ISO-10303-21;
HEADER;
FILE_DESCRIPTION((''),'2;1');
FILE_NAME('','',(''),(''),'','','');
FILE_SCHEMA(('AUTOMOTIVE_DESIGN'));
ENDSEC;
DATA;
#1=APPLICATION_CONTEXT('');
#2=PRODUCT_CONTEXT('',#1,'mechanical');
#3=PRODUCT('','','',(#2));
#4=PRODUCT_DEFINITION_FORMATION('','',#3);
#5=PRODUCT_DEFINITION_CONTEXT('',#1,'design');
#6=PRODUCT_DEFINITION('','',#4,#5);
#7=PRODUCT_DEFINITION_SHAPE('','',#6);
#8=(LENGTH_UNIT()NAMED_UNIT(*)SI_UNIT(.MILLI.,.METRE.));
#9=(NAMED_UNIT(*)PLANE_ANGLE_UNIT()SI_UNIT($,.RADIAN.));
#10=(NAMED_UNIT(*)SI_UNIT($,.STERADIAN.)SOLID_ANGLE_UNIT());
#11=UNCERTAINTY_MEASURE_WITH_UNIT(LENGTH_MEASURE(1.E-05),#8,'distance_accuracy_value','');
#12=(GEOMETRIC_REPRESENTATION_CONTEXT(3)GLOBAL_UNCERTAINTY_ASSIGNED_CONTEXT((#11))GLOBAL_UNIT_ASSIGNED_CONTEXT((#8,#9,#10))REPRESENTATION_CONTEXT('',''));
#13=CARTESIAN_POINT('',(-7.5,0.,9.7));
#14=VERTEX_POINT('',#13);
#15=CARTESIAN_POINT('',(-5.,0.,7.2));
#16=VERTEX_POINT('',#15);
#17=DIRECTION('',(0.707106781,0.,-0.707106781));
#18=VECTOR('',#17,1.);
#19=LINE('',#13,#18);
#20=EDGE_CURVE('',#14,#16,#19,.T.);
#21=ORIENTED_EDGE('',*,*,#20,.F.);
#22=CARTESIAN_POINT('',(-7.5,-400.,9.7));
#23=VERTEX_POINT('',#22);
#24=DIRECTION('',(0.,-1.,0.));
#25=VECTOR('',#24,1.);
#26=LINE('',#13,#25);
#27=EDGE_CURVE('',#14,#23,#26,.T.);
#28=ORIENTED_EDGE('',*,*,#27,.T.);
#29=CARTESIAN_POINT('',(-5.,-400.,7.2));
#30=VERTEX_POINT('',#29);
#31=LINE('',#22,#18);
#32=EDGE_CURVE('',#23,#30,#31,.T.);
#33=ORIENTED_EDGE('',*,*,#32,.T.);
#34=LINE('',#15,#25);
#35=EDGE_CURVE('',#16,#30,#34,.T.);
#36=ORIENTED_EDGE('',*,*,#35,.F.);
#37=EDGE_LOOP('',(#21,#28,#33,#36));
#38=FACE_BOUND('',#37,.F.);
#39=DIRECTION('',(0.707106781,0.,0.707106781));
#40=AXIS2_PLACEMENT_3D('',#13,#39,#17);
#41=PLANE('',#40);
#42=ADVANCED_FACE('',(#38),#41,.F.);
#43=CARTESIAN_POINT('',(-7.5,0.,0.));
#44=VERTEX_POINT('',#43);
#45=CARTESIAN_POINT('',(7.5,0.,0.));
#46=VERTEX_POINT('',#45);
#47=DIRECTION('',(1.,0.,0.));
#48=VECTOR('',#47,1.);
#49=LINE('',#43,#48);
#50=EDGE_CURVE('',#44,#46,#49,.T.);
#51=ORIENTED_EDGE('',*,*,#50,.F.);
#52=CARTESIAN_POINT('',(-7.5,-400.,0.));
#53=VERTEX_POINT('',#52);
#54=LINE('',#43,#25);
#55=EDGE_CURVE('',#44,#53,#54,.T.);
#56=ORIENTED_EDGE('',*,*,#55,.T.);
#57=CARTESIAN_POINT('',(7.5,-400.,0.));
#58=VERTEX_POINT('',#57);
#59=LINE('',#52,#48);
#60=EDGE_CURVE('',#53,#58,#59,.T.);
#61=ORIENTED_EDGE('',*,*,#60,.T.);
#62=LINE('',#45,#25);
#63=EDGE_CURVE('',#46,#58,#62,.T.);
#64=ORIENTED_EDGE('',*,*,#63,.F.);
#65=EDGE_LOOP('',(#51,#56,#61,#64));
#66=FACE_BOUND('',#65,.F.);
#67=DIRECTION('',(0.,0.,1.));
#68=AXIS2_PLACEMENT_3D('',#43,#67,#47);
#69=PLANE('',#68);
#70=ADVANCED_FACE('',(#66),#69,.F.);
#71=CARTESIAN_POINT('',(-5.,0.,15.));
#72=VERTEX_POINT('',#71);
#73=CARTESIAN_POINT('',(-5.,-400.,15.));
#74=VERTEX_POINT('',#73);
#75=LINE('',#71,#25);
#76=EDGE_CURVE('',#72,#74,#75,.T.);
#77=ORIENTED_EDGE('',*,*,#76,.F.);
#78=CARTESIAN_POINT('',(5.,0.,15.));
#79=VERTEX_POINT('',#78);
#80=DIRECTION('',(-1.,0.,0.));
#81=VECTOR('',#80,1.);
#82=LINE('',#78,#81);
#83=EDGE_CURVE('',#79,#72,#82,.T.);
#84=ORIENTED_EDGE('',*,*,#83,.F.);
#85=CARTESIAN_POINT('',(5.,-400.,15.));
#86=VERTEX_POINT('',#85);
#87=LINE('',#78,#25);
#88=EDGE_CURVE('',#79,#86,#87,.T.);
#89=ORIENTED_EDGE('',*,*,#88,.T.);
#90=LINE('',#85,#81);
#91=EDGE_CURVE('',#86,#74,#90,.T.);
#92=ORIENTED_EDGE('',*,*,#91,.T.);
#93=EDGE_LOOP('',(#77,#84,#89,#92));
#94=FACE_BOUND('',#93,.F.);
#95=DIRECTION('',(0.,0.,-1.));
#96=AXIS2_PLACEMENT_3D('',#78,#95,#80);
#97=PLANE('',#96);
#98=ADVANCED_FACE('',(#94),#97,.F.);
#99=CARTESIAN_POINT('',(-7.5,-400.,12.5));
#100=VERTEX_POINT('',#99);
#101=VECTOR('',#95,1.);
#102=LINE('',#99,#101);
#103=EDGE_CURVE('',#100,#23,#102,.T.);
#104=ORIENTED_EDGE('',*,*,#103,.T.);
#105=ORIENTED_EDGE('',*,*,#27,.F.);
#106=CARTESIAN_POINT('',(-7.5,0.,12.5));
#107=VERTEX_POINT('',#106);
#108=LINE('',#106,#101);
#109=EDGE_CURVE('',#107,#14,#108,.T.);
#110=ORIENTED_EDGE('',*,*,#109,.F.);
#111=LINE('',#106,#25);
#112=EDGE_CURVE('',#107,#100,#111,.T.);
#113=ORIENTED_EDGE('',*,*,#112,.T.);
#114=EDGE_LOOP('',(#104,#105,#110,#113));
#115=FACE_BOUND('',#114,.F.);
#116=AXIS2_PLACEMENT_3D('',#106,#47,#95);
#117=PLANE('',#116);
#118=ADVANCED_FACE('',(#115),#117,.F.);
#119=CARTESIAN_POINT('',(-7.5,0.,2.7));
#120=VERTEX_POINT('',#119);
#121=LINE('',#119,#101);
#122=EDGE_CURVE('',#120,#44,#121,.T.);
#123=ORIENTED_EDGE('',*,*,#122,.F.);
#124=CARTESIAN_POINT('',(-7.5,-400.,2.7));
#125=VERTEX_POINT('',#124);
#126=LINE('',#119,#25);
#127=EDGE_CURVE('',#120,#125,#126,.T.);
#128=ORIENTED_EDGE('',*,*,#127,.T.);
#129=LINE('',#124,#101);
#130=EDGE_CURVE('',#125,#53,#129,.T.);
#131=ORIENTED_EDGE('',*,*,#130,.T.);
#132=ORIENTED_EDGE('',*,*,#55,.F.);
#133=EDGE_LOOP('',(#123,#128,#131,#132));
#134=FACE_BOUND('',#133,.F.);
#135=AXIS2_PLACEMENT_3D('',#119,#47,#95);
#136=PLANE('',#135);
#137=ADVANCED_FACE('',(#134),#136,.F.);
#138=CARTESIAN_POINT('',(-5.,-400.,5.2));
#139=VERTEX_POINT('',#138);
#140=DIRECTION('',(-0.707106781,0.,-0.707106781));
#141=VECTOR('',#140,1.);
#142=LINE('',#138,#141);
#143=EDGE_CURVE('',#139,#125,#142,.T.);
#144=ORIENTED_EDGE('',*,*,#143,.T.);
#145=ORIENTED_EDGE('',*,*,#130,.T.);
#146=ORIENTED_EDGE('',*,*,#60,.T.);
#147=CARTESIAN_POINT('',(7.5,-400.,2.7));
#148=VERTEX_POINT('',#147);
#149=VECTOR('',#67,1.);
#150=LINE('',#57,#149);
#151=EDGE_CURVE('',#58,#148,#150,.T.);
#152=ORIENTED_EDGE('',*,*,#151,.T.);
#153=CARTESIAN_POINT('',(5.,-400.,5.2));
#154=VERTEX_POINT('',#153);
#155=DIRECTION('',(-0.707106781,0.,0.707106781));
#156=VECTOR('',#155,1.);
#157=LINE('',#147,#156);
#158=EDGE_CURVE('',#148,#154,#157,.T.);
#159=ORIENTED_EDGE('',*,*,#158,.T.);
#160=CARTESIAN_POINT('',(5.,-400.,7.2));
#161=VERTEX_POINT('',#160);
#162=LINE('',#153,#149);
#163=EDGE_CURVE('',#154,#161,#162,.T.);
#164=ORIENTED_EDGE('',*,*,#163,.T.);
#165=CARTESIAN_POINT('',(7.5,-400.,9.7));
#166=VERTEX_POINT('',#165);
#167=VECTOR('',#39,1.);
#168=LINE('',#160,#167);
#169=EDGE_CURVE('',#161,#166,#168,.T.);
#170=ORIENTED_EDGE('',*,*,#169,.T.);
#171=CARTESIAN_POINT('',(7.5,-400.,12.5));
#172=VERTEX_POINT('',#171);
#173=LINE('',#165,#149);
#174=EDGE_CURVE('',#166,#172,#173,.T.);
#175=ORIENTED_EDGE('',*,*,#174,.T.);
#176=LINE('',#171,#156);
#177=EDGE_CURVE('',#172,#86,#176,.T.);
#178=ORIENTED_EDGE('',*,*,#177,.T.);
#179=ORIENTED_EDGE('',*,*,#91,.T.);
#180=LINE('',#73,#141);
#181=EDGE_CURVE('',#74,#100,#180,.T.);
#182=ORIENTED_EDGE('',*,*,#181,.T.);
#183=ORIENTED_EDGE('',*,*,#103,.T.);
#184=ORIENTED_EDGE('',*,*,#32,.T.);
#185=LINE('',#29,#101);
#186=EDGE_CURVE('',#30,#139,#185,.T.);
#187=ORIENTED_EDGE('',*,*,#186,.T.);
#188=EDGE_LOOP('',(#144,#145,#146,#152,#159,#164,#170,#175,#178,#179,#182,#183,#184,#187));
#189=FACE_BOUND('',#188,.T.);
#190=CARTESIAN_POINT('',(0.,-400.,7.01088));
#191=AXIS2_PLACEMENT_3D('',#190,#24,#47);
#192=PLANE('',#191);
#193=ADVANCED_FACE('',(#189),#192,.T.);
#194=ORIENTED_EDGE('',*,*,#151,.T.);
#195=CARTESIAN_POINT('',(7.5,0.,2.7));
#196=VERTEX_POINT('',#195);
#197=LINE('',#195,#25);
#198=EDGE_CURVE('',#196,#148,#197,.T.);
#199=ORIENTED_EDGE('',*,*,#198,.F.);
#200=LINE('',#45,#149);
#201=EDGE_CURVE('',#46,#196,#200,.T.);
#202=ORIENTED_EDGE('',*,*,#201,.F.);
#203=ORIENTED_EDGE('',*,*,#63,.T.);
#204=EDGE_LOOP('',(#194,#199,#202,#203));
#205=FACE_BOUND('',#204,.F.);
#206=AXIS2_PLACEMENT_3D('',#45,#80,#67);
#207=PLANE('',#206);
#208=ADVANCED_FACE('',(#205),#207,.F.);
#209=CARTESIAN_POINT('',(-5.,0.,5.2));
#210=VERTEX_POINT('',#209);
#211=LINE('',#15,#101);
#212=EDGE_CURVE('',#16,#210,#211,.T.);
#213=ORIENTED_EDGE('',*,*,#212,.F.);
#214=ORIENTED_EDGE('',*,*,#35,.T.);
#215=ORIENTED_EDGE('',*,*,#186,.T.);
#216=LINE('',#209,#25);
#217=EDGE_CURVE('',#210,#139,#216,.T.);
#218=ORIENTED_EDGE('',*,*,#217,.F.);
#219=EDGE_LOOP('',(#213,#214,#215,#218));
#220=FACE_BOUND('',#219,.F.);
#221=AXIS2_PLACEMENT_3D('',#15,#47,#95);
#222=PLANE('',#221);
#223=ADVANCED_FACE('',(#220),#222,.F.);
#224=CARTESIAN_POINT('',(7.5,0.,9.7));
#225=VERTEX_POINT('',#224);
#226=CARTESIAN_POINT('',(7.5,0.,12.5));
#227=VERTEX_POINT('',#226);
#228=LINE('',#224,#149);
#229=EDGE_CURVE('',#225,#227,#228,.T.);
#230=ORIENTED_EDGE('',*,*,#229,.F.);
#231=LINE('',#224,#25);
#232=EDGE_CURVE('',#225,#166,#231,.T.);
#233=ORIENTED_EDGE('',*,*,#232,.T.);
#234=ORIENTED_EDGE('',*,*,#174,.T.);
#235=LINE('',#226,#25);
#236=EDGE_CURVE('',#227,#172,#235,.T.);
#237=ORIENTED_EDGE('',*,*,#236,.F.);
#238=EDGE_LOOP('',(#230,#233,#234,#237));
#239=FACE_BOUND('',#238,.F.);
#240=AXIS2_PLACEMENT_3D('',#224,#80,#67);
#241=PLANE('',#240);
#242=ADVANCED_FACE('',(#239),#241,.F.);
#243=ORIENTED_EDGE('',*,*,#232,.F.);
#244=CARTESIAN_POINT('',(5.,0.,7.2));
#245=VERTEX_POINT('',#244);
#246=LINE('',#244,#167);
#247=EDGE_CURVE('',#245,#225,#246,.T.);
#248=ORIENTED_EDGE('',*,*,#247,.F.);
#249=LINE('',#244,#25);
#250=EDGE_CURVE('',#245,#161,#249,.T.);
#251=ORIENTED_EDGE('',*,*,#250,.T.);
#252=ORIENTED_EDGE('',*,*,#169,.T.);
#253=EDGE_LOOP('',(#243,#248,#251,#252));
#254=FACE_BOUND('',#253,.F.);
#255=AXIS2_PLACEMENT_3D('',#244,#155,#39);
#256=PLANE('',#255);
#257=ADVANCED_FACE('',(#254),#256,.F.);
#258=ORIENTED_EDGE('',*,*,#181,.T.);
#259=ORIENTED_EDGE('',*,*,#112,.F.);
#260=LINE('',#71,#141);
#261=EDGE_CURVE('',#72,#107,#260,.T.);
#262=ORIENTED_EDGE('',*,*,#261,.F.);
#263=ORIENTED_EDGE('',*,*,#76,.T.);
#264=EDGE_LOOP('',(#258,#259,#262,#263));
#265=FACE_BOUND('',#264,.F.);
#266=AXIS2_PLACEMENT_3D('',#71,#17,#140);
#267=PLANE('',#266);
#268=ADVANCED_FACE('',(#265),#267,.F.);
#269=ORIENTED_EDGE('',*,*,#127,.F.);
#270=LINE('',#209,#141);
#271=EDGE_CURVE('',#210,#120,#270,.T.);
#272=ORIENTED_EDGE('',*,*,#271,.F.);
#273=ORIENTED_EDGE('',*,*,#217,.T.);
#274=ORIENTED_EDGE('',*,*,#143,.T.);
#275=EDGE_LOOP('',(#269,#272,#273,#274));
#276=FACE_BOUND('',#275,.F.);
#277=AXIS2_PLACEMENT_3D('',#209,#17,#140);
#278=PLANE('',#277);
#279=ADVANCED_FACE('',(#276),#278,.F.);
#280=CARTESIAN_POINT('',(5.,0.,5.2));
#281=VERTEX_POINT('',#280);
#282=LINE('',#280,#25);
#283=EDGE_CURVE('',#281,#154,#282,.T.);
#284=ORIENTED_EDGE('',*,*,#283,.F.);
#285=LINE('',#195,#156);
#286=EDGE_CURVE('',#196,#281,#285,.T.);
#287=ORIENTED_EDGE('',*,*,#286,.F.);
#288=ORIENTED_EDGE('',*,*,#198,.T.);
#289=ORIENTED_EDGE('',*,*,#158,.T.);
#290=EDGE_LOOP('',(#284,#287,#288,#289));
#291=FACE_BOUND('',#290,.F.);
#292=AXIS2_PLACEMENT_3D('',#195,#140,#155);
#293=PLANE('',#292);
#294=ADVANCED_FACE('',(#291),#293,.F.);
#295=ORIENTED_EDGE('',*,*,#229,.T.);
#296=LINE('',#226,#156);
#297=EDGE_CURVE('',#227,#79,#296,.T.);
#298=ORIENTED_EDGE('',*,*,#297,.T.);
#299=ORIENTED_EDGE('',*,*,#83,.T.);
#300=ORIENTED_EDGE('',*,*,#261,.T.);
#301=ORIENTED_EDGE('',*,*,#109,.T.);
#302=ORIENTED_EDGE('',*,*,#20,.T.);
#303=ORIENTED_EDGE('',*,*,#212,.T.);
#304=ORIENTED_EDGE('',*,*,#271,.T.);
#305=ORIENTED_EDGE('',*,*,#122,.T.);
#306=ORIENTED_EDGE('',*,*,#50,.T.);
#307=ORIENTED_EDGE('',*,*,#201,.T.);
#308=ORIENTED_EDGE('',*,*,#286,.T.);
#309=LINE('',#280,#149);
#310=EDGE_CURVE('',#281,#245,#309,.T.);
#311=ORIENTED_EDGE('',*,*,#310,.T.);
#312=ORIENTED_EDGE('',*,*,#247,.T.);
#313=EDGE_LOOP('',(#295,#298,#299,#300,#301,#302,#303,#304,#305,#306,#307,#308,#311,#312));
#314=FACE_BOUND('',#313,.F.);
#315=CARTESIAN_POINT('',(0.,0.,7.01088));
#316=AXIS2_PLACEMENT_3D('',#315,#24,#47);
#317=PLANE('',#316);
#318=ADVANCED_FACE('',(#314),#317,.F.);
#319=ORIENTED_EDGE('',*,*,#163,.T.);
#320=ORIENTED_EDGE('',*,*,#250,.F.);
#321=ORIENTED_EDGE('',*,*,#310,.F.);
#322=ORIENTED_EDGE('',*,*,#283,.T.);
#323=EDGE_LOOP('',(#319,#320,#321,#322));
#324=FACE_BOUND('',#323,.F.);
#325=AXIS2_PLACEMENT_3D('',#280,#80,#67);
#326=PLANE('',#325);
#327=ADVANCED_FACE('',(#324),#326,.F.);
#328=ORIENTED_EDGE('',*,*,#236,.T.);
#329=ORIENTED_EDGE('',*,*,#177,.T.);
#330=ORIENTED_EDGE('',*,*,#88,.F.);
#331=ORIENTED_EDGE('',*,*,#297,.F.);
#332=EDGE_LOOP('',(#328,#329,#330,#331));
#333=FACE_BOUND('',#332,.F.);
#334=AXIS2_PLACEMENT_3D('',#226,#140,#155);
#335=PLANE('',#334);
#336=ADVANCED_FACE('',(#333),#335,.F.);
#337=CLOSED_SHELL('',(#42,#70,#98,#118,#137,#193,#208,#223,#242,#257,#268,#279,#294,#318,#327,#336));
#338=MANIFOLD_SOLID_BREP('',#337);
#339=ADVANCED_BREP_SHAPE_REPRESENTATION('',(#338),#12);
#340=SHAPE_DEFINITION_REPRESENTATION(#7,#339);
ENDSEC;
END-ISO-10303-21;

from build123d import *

# Parameters (mm, degrees)
PAD_DEPTH = 400


with BuildPart() as part:
    # Sketch → Pad (new body)
    with BuildSketch(Plane.XZ):
        Polygon((-7.5, 0), (7.5, 0), (7.5, 2.7), (5, 5.2), (5, 7.2), (7.5, 9.7), (7.5, 12.5), (5, 15), (-5, 15), (-7.5, 12.5), (-7.5, 9.7), (-5, 7.2), (-5, 5.2), (-7.5, 2.7), align=None)
    extrude(amount=PAD_DEPTH)


solid = part.part
